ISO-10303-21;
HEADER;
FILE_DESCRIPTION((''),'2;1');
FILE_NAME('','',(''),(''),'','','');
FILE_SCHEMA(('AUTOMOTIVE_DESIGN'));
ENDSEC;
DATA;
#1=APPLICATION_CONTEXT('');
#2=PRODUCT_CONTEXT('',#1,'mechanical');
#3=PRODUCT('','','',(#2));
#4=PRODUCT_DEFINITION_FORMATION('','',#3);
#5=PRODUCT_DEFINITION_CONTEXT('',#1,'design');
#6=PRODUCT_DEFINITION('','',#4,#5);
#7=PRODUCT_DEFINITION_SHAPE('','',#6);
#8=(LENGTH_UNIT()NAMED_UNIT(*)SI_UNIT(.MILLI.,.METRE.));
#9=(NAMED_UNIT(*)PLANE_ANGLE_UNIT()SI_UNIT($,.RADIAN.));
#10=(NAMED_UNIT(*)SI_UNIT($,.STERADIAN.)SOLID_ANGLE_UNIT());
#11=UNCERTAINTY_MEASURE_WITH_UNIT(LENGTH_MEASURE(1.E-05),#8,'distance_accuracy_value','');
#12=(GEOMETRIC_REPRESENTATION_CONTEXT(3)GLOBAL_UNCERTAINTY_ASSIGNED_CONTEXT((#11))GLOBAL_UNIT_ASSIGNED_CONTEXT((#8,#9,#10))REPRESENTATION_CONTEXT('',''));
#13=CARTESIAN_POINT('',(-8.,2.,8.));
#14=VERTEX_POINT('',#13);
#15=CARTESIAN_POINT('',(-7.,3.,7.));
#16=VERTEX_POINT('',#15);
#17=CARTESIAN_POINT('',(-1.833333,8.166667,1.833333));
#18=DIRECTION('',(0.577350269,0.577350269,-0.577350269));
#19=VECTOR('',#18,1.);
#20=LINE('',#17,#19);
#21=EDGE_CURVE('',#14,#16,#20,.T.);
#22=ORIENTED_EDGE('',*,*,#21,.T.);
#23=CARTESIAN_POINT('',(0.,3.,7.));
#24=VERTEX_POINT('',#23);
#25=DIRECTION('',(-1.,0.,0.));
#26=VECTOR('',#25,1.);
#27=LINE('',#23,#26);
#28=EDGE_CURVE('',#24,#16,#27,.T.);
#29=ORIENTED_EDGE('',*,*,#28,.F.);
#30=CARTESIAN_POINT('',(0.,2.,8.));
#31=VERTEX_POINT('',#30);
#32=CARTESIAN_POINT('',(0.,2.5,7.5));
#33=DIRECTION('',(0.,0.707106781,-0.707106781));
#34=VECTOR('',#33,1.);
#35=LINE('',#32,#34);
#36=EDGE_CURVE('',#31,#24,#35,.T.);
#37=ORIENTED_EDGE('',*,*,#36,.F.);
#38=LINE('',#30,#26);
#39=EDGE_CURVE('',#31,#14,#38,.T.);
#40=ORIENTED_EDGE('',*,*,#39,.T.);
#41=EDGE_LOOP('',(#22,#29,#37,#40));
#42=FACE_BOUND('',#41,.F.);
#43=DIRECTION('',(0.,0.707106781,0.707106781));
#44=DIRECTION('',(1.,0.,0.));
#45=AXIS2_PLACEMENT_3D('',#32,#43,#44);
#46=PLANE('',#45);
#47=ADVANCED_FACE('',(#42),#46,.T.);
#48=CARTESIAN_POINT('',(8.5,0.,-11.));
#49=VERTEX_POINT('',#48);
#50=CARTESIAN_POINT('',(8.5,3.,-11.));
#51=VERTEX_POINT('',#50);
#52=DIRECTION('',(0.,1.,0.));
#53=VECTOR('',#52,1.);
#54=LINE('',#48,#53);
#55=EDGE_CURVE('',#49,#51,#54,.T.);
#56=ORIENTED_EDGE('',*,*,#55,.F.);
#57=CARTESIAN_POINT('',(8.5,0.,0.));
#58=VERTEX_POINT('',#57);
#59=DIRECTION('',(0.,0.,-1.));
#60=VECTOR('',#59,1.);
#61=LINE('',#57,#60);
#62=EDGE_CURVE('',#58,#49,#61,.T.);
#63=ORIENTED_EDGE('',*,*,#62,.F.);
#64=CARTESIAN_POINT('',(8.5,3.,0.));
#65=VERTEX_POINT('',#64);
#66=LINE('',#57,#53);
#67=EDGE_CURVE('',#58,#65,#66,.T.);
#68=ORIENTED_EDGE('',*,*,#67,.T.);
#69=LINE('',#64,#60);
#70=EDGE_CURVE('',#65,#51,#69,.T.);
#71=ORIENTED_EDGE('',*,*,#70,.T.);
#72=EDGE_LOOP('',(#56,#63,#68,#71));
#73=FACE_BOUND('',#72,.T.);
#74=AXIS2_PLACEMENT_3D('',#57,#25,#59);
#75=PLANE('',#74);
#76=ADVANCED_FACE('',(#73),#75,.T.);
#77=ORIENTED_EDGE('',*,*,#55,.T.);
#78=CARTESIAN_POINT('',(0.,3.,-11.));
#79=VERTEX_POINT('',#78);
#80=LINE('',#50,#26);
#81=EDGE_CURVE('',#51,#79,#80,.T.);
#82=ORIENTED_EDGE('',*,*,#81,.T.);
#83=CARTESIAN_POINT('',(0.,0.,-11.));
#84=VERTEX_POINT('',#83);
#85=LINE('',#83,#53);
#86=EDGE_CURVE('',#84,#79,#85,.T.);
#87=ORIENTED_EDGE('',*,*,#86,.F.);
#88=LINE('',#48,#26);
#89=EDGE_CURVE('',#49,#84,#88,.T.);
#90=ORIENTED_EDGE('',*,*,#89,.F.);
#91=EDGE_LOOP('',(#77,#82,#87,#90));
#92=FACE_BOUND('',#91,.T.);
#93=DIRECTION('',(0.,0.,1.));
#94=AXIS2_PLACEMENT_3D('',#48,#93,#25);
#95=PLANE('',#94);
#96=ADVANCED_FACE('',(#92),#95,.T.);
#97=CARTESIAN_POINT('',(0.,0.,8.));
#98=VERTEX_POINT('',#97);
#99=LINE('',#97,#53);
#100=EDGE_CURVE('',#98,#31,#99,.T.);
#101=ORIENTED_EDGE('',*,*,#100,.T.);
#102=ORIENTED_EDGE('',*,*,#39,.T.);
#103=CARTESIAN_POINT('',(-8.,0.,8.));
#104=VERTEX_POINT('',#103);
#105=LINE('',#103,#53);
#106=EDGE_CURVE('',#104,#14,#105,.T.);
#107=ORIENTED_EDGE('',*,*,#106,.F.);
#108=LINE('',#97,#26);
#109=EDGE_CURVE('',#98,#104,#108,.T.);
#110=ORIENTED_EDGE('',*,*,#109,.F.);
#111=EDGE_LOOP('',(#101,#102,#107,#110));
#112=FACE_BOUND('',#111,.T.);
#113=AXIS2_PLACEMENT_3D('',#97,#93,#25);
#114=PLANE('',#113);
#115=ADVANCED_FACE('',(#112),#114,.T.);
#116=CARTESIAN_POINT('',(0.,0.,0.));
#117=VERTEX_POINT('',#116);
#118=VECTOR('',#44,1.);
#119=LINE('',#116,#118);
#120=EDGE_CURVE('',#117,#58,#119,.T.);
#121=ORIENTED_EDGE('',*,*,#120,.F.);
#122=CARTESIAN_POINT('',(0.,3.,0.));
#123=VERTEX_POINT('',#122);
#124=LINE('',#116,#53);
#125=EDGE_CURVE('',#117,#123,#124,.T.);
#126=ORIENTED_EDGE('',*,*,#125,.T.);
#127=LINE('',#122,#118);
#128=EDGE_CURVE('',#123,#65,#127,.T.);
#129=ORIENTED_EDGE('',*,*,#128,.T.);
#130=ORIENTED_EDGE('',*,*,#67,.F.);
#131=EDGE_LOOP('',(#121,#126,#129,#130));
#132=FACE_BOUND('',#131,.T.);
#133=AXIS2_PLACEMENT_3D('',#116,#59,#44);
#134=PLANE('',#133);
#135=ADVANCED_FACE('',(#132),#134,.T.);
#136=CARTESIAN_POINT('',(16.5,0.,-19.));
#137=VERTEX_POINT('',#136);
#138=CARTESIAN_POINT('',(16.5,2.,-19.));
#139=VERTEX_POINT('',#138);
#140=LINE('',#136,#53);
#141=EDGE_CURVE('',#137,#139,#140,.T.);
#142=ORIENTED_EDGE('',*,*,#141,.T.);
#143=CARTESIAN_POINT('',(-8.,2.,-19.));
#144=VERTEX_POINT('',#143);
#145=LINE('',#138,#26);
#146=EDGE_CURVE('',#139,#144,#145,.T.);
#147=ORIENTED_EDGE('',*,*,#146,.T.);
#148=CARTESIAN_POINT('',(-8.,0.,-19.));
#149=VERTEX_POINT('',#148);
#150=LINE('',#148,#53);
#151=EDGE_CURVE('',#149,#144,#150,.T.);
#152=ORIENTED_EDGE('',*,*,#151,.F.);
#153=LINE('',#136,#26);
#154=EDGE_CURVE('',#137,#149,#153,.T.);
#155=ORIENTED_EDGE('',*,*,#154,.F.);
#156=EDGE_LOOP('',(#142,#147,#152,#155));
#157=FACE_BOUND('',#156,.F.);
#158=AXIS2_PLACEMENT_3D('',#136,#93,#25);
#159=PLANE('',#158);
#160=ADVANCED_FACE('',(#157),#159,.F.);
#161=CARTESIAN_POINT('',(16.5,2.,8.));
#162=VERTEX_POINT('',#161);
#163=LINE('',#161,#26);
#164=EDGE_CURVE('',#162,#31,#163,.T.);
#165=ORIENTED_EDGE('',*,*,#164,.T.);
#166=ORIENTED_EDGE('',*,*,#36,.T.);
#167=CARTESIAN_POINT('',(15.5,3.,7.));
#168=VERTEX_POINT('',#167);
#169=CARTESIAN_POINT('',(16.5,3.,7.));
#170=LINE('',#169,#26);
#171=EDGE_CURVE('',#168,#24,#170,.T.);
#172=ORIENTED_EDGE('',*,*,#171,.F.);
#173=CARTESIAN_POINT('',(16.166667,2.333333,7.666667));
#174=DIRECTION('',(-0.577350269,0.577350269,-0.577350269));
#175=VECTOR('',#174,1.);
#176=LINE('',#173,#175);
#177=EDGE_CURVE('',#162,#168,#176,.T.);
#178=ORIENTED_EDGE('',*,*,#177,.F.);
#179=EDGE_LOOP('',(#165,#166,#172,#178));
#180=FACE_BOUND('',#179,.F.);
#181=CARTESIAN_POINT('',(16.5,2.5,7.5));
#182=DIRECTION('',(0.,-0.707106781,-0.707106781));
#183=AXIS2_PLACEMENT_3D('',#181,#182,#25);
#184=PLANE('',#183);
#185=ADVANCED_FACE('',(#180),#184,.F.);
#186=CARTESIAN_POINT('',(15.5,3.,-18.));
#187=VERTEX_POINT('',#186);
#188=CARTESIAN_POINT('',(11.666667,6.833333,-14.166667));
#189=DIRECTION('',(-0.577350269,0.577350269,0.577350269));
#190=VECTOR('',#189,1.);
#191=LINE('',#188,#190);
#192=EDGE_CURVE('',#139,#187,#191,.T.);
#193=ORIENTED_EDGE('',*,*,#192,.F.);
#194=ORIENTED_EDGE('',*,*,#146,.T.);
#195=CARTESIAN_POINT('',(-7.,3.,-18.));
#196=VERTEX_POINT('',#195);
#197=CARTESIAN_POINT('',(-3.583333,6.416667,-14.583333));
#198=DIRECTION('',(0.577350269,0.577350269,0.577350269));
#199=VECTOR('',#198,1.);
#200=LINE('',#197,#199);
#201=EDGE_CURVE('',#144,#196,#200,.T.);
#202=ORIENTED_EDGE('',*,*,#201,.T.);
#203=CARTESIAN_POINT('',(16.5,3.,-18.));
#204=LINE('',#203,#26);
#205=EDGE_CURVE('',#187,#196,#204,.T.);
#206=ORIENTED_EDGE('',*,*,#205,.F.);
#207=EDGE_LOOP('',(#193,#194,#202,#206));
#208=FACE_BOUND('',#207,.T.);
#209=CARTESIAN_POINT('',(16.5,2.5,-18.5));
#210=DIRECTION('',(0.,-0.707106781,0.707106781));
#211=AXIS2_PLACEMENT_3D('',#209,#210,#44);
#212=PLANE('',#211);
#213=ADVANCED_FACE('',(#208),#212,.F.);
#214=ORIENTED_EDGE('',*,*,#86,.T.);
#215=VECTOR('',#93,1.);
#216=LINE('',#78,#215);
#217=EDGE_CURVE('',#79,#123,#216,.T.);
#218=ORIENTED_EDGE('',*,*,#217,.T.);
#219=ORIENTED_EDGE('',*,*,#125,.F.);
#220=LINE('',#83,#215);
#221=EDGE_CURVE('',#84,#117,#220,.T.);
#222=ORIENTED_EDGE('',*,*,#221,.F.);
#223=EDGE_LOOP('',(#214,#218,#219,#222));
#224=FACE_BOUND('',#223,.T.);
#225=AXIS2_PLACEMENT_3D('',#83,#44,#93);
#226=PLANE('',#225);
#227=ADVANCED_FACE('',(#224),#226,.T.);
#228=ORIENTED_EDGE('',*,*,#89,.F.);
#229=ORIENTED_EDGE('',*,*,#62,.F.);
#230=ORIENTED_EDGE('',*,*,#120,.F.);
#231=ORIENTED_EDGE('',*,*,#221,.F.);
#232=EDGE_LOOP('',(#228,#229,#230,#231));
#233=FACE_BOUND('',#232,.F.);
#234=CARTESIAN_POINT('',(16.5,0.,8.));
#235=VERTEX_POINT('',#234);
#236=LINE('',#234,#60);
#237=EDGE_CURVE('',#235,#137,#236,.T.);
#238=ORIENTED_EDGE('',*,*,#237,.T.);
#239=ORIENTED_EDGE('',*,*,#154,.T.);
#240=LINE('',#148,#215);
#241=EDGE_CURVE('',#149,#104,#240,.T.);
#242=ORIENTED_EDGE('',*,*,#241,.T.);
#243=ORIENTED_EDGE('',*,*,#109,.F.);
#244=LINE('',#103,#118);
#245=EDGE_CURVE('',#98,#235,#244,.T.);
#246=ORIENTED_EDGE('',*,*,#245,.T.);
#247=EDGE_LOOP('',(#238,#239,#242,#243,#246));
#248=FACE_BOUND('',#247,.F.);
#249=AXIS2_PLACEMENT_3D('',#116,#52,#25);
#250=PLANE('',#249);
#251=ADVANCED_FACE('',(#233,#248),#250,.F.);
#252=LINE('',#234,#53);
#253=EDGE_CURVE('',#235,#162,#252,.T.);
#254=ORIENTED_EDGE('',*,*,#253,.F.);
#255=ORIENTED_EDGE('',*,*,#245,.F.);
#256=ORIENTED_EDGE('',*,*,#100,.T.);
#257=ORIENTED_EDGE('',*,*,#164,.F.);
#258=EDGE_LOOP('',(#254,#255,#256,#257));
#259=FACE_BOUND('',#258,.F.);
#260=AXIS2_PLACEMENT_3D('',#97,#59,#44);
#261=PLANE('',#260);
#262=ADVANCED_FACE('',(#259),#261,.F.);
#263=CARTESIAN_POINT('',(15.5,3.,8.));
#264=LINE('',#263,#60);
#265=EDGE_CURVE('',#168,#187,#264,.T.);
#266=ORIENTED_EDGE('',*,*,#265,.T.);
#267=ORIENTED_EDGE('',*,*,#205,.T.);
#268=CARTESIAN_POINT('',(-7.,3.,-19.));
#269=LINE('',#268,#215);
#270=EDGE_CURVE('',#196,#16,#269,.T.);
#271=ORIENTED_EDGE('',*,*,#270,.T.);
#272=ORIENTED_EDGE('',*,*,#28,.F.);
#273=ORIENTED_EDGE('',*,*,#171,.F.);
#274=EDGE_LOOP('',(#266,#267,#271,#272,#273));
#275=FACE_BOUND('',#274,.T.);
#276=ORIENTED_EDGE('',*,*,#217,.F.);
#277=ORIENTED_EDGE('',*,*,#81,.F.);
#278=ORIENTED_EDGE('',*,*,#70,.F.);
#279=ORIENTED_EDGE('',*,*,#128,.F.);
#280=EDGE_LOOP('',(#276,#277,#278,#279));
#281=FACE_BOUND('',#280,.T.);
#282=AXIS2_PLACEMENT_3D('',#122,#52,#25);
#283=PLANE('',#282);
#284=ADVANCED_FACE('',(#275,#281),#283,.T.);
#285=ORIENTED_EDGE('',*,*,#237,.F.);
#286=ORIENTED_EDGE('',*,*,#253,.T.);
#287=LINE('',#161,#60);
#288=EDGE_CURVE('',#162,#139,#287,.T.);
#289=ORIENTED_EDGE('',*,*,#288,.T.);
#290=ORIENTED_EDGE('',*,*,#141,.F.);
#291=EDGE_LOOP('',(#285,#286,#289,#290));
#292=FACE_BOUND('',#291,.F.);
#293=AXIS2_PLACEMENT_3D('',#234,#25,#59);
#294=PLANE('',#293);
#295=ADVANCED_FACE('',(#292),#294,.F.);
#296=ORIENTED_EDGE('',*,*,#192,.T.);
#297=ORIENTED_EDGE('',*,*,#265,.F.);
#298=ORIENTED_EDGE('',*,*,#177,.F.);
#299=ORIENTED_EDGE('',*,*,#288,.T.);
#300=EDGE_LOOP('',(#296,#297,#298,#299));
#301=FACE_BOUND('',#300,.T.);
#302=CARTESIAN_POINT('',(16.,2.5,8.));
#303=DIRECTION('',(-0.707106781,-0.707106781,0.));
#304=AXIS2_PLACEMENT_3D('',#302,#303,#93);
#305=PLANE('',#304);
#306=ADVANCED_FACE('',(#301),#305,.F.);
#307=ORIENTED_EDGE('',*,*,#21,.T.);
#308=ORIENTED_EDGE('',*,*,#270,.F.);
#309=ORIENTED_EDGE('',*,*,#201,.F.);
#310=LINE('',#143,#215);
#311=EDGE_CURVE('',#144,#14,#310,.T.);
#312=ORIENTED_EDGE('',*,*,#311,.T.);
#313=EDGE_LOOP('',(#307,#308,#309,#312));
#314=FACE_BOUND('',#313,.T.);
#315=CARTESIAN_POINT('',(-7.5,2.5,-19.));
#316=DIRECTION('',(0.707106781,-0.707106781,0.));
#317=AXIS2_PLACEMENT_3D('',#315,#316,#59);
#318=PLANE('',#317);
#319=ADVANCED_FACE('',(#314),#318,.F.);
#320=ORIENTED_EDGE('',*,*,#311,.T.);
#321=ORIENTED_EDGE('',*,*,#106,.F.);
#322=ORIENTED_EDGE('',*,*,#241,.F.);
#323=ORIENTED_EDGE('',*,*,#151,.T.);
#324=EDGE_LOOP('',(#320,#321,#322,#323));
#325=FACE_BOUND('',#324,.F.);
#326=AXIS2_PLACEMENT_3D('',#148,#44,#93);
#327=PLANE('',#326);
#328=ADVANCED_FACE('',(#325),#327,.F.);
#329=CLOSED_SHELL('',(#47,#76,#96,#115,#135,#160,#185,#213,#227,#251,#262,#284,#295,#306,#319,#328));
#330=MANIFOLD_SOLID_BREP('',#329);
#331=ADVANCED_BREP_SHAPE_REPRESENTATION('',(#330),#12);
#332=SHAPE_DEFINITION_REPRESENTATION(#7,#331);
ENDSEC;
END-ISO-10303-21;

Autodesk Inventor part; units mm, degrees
ref_plane "YZ Plane" through (0, 0, 0) normal (1, 0, 0) x (0, 1, 0)
ref_plane "XZ Plane" through (0, 0, 0) normal (0, 1, 0) x (-1, 0, 0)
ref_plane "XY Plane" through (0, 0, 0) normal (0, 0, 1) x (1, 0, 0)
sketch "Sketch1" plane through (0, 0, 0) normal (0, 1, 0) x (-1, 0, 0)
  line L0 (0, 0) -> (-8.5, 0)
  line L1 (-8.5, 0) -> (-8.5, -11)
  line L2 (-8.5, -11) -> (0, -11)
  line L3 (0, -11) -> (0, 0)
  line L4 (0, 8) -> (8, 8)
  line L5 (8, 8) -> (-16.5, 8)
  line L6 (-16.5, 8) -> (-16.5, -19)
  line L7 (-16.5, -19) -> (8, -19)
  line L8 (8, -19) -> (8, 8)
  dimension "d13" = 8.5
  dimension "d14" = 11
  dimension "d16" = 8
  dimension "d17" = 24.5
  dimension "d18" = 27
extrude "Extrusion1" add sketch "Sketch1" along normal blind 3
chamfer "Chamfer1" distance 1 angle 45 4 edges at (-8, 3, -5.5) (-4, 3, 8) (16.5, 3, -5.5) (4.25, 3, -19)
properties part number "electromagnet-ending"
